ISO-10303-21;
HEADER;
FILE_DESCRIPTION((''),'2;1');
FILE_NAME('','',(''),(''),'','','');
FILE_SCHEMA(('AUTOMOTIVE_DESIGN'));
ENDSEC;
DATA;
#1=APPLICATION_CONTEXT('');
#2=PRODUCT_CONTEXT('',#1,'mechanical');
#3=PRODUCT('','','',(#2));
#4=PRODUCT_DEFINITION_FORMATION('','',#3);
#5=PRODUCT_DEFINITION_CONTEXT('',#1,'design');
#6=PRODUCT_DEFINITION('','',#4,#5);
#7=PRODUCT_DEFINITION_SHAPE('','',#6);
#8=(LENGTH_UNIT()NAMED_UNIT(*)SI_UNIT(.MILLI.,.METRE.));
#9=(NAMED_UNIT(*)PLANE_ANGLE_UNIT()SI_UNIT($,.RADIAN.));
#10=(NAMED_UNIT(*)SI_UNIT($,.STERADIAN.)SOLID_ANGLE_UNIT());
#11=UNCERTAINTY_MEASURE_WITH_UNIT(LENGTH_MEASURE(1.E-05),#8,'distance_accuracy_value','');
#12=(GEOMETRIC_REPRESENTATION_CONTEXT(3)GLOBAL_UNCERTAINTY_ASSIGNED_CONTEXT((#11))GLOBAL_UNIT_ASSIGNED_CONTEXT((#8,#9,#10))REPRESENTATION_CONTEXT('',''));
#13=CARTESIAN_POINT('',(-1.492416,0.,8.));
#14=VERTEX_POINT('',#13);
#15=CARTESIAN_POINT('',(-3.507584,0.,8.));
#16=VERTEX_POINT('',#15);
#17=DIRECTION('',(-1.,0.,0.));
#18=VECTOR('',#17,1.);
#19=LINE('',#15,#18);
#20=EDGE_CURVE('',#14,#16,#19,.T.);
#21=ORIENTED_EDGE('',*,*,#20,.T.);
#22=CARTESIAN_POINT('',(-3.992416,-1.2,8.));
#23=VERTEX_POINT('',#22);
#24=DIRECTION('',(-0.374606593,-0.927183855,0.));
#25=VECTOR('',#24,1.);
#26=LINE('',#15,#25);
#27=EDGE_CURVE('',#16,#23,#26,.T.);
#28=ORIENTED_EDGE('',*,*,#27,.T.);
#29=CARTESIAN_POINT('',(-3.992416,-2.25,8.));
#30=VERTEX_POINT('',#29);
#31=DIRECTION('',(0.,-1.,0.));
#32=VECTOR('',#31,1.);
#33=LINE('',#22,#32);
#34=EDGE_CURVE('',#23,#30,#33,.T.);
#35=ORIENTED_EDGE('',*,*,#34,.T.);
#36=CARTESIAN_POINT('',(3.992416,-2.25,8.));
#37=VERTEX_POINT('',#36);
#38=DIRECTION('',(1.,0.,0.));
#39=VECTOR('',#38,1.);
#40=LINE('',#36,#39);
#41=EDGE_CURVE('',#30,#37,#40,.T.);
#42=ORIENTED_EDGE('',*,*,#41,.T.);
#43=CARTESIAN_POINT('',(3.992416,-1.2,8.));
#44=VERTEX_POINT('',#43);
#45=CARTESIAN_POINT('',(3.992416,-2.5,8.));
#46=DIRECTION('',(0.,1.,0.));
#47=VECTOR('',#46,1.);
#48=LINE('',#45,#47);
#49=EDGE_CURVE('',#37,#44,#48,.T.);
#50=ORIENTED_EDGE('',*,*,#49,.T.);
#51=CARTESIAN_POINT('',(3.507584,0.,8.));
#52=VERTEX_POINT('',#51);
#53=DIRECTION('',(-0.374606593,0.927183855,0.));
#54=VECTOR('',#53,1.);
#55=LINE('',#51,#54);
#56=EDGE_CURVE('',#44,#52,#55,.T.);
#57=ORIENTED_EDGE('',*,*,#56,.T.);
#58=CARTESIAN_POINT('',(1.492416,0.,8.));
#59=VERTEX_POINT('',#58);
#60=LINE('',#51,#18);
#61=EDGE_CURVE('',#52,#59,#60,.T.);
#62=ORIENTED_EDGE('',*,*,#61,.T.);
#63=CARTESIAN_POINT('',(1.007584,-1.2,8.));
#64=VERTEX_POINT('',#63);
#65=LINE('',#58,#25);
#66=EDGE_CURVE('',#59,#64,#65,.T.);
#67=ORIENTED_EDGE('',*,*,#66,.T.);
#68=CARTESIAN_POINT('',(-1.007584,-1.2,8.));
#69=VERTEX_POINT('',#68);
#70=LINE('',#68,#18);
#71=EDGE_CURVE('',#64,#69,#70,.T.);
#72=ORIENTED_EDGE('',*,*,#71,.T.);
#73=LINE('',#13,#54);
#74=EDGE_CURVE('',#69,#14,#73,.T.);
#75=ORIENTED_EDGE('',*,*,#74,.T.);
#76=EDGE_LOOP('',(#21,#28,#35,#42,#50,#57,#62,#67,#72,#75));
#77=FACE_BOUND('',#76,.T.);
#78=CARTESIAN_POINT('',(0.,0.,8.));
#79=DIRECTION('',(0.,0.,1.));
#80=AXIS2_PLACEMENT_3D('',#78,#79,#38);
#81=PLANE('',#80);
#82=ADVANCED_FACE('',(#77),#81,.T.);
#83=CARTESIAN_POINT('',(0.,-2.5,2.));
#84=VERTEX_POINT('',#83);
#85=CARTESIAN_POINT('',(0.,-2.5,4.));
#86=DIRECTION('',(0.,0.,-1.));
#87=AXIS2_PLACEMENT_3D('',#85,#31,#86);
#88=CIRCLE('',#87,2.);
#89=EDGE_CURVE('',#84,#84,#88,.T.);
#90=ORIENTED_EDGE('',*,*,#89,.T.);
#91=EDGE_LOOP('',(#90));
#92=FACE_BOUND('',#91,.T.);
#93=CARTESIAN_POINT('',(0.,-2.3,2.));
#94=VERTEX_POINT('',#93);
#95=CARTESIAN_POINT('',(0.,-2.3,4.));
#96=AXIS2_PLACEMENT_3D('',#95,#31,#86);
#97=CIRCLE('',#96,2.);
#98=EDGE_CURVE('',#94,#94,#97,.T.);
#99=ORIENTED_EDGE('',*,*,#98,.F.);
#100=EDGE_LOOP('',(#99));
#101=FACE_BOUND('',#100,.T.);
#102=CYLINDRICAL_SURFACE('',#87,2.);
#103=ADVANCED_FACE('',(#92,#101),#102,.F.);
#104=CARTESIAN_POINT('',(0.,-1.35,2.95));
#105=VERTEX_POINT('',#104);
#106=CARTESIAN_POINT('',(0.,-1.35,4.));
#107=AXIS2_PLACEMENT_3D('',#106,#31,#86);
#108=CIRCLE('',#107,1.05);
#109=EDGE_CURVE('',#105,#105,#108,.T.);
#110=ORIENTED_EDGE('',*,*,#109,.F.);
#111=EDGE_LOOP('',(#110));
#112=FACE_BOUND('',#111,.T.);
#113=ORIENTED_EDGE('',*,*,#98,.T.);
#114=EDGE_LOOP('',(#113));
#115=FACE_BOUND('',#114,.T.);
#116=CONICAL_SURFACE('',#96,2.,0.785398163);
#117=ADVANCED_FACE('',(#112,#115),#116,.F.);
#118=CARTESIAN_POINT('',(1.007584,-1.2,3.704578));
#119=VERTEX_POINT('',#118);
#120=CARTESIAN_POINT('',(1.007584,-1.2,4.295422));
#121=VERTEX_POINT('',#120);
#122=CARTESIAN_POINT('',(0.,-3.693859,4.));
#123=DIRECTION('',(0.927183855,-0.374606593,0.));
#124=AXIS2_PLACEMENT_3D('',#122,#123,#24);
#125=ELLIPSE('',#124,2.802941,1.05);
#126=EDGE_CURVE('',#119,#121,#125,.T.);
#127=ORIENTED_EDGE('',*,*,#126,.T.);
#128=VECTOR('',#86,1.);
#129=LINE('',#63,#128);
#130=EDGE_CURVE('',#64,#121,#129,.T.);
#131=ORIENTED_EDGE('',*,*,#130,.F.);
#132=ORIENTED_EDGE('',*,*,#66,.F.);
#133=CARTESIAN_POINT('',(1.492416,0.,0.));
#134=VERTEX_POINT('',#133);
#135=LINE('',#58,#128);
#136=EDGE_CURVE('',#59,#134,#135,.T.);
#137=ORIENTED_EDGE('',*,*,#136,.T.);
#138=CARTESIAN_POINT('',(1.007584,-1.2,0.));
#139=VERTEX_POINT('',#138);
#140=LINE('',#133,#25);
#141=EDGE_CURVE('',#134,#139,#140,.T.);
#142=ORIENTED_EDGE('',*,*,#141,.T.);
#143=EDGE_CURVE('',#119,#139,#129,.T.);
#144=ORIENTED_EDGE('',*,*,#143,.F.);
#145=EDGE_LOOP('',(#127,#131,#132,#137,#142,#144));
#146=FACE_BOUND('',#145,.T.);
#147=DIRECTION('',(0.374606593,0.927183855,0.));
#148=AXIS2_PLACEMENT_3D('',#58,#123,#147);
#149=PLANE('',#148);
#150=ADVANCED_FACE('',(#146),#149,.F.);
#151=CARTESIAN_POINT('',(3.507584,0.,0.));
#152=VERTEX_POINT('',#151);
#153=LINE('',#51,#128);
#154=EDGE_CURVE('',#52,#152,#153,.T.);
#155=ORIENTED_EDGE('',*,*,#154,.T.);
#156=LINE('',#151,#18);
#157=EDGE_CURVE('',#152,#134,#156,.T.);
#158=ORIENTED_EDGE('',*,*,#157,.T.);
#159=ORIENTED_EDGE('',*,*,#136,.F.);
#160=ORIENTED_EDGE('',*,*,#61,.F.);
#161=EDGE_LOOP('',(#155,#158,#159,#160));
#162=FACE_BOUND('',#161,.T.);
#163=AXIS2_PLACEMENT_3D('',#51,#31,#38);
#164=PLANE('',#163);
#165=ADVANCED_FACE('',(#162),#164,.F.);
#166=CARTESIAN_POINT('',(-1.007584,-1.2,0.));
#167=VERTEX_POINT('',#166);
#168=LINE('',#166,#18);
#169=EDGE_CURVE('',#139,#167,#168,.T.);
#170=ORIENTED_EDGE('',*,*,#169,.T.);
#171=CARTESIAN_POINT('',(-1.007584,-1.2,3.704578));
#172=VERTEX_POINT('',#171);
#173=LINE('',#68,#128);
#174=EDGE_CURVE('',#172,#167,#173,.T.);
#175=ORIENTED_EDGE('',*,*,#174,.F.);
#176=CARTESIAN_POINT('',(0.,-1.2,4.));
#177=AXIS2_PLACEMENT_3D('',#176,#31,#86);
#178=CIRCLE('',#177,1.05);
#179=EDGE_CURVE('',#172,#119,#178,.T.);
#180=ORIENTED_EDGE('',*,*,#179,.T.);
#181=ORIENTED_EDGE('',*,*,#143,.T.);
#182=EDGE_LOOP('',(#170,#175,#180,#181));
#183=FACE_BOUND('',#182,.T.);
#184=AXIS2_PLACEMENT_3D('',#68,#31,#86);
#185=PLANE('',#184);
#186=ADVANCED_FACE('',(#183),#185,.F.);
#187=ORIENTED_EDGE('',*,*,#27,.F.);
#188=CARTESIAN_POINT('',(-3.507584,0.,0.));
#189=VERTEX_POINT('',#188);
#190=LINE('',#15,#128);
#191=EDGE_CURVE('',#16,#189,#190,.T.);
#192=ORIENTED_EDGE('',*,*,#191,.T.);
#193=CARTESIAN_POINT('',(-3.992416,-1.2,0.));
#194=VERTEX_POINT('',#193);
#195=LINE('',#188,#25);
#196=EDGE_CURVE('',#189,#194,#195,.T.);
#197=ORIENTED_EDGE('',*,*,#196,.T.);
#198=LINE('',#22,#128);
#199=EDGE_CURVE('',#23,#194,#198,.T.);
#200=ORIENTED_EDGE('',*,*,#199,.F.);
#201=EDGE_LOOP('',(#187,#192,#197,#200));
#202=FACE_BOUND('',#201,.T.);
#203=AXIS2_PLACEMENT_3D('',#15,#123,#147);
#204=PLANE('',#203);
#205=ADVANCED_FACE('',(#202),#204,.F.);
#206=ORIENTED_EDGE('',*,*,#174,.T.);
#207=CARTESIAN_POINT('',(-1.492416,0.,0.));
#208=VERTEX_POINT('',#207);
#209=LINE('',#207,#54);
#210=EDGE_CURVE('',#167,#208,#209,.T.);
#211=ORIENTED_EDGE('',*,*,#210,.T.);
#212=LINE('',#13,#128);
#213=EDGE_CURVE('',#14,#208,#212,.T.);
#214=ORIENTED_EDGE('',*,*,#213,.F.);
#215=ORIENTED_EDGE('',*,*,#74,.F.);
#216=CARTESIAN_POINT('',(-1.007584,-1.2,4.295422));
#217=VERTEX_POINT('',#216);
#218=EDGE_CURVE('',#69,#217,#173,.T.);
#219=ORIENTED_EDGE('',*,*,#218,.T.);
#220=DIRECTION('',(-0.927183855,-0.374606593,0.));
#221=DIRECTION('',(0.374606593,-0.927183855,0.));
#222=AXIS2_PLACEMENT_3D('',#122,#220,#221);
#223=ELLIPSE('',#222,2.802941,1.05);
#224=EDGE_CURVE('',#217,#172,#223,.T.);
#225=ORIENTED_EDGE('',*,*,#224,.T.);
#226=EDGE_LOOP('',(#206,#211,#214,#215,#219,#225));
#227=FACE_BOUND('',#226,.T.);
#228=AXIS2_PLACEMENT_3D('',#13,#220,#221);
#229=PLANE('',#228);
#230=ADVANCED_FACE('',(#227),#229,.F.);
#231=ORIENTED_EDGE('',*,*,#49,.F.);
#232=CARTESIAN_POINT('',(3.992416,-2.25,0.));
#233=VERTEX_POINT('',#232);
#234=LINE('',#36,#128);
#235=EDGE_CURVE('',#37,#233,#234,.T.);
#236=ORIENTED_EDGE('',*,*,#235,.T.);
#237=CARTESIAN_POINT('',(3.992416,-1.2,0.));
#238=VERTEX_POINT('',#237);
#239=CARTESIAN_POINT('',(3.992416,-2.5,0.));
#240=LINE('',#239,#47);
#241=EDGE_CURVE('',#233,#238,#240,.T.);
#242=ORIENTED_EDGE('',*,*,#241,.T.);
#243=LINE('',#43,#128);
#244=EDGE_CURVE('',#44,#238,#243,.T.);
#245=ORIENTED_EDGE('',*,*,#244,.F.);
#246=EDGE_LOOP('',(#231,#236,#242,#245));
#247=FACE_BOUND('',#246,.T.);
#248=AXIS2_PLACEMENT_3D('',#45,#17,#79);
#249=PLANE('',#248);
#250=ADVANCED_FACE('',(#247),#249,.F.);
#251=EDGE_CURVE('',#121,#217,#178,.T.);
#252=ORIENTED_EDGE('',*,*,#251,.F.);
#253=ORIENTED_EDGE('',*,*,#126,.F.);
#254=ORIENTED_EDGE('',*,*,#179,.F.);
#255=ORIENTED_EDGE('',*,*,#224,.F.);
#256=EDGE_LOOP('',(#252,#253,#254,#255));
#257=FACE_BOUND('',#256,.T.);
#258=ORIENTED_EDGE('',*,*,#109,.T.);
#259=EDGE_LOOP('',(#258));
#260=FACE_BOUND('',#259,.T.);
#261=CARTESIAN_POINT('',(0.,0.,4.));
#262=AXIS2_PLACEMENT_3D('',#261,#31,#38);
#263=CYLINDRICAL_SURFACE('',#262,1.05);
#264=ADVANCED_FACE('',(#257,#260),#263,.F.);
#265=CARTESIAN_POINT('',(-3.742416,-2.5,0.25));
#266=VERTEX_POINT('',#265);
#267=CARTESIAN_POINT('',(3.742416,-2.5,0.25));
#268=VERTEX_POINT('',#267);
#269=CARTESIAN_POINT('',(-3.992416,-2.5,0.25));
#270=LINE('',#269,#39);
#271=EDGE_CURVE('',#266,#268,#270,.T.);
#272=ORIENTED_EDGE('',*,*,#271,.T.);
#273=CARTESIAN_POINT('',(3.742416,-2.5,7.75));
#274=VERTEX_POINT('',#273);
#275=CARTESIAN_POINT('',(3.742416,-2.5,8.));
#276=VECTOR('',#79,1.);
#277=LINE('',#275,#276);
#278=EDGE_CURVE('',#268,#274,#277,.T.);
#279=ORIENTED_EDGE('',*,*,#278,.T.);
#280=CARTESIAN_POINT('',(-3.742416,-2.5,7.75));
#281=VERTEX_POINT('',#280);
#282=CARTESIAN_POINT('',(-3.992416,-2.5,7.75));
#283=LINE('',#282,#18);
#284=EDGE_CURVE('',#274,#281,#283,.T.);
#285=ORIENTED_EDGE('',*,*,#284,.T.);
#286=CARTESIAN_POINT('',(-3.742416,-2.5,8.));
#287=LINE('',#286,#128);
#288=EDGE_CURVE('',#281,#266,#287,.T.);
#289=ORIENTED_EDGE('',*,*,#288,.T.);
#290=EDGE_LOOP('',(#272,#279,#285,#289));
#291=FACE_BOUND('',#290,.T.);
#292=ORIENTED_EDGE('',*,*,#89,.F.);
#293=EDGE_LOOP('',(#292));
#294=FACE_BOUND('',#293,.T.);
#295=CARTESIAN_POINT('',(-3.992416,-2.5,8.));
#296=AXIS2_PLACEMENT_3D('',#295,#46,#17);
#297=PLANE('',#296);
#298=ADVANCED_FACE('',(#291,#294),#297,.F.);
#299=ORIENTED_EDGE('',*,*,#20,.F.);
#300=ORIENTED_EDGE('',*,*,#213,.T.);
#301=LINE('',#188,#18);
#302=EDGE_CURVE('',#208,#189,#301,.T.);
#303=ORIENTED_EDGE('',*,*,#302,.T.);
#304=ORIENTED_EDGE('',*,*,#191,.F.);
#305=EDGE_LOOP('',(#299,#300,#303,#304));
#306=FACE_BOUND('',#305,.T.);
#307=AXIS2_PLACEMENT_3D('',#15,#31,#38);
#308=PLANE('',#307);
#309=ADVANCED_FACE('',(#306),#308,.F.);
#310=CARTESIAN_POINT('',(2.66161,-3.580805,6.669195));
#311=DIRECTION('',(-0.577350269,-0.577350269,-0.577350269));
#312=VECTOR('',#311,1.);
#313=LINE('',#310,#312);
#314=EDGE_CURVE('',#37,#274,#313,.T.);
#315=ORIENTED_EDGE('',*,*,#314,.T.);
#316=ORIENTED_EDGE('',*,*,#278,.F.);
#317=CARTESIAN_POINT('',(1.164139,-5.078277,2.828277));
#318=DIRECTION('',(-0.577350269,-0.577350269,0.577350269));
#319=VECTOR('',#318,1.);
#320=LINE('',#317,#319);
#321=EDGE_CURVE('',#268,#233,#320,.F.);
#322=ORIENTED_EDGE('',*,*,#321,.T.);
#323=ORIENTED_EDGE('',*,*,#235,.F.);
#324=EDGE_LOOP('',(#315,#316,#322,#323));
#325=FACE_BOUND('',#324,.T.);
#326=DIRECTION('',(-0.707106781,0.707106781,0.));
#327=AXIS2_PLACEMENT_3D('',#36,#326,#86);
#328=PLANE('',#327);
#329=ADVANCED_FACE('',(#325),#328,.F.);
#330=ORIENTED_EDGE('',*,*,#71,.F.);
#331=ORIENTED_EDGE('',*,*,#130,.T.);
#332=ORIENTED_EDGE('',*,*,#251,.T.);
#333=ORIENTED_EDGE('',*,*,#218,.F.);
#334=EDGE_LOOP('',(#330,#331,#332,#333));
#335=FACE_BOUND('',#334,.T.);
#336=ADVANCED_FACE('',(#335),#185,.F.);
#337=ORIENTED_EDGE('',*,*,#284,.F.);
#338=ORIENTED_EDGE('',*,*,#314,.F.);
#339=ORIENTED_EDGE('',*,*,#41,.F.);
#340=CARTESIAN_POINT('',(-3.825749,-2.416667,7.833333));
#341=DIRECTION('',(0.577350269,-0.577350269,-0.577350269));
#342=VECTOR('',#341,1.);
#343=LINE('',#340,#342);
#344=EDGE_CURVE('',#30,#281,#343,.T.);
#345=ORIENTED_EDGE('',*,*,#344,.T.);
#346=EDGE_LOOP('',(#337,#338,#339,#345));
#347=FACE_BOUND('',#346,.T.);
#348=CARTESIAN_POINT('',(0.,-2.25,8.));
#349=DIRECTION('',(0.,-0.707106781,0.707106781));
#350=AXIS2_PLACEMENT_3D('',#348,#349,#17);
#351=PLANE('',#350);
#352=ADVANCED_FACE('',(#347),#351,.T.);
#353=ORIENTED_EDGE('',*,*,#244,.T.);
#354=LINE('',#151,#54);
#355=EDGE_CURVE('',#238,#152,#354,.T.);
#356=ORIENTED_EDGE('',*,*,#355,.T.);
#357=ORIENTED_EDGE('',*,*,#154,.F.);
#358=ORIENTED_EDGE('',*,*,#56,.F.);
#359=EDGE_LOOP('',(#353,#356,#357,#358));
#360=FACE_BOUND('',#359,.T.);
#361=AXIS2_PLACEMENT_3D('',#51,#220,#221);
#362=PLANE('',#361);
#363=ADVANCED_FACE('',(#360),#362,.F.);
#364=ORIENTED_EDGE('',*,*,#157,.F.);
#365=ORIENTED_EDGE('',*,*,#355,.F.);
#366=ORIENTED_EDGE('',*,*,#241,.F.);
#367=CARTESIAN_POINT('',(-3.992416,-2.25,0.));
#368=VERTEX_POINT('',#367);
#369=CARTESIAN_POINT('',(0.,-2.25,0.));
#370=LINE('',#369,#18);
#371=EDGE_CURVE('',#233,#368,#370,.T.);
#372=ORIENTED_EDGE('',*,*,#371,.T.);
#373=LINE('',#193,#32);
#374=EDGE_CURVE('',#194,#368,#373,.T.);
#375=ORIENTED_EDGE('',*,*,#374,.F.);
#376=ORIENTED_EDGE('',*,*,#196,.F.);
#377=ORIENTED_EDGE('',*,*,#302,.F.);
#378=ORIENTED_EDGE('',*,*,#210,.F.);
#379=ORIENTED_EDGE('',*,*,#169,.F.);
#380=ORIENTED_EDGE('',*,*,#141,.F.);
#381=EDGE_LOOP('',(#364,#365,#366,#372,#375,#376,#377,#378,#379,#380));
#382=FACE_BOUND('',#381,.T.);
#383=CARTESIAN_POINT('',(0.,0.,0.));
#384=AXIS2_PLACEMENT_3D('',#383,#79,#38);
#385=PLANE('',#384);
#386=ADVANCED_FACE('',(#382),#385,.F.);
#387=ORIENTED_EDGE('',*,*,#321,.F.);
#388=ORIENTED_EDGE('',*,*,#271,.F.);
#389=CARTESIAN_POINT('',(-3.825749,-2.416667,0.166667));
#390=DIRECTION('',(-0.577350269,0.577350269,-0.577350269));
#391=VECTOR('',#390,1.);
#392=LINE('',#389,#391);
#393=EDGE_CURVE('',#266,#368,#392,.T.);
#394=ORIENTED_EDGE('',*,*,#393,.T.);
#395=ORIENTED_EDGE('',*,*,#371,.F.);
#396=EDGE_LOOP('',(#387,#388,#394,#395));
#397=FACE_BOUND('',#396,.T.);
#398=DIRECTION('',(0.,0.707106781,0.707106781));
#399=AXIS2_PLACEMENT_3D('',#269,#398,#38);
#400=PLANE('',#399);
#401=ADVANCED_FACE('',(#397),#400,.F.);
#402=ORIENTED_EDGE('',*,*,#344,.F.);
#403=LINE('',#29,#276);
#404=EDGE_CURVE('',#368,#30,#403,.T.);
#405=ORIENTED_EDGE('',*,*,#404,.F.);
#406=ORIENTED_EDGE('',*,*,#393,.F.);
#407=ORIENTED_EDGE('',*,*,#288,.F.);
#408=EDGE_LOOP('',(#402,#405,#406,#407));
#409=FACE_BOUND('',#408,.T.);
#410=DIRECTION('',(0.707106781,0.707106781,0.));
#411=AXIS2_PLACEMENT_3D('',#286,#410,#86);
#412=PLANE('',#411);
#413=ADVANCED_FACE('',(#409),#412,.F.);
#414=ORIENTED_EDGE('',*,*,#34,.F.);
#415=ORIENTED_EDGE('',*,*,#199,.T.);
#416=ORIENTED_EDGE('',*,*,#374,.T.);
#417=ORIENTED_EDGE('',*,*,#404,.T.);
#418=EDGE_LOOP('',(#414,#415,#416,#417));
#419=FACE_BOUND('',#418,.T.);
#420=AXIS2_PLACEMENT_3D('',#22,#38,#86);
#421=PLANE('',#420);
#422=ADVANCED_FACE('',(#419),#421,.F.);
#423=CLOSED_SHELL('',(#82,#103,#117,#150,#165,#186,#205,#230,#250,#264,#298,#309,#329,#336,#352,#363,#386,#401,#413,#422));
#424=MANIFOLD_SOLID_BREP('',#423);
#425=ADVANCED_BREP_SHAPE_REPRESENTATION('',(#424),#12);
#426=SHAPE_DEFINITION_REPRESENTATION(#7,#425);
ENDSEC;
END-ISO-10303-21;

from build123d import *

# Parameters (mm, degrees)
EXTRUDE_1_DEPTH     = 8
SKETCH_2_R          = 1.05
CUT_EXTRUDE_1_DEPTH = 10.283823749
CHAMFER_1_SIZE      = 0.25


with BuildPart() as part:
    # ｽｹｯﾁ1 → ﾎﾞｽ - 押し出し1 (new body)
    with BuildSketch(Plane.XY):
        Polygon((-3.507584264, 0), (-1.492415736, 0), (-1.007584264, -1.2), (1.007584264, -1.2), (1.492415736, 0), (3.507584264, 0), (3.992415736, -1.2), (3.992415736, -2.5), (-3.992415736, -2.5), (-3.992415736, -1.2), align=None)
    extrude(amount=EXTRUDE_1_DEPTH)

    # ｽｹｯﾁ2 → ｶｯﾄ - 押し出し1 (cut, through all)
    with BuildSketch(Plane.XZ.offset(2.5)):
        with Locations((0, 4)):
            Circle(SKETCH_2_R)
    extrude(amount=-CUT_EXTRUDE_1_DEPTH, mode=Mode.SUBTRACT)

    # ｽｹｯﾁ4 → ｶｯﾄ - 回転1 (revolve, cut)
    with BuildSketch(Plane(origin=(0, 0, 0), x_dir=(0, 0, -1), z_dir=(1, 0, 0))):
        Polygon((-4, -2.5), (-2, -2.5), (-2, -2.3), (-3, -1.3), (-4, -1.3), align=None)
    revolve(axis=Axis((0, -2.5, 4), (0, 1, 0)), mode=Mode.SUBTRACT)

    # 面取り1
    chamfer_1_edges = [part.edges().sort_by_distance(p)[0] for p in [
        (3.992415736, -2.5, 4),
        (-3.992415736, -2.5, 4),
        (0, -2.5, 8),
        (0, -2.5, 0),
    ]]
    chamfer(chamfer_1_edges, length=CHAMFER_1_SIZE)


solid = part.part
